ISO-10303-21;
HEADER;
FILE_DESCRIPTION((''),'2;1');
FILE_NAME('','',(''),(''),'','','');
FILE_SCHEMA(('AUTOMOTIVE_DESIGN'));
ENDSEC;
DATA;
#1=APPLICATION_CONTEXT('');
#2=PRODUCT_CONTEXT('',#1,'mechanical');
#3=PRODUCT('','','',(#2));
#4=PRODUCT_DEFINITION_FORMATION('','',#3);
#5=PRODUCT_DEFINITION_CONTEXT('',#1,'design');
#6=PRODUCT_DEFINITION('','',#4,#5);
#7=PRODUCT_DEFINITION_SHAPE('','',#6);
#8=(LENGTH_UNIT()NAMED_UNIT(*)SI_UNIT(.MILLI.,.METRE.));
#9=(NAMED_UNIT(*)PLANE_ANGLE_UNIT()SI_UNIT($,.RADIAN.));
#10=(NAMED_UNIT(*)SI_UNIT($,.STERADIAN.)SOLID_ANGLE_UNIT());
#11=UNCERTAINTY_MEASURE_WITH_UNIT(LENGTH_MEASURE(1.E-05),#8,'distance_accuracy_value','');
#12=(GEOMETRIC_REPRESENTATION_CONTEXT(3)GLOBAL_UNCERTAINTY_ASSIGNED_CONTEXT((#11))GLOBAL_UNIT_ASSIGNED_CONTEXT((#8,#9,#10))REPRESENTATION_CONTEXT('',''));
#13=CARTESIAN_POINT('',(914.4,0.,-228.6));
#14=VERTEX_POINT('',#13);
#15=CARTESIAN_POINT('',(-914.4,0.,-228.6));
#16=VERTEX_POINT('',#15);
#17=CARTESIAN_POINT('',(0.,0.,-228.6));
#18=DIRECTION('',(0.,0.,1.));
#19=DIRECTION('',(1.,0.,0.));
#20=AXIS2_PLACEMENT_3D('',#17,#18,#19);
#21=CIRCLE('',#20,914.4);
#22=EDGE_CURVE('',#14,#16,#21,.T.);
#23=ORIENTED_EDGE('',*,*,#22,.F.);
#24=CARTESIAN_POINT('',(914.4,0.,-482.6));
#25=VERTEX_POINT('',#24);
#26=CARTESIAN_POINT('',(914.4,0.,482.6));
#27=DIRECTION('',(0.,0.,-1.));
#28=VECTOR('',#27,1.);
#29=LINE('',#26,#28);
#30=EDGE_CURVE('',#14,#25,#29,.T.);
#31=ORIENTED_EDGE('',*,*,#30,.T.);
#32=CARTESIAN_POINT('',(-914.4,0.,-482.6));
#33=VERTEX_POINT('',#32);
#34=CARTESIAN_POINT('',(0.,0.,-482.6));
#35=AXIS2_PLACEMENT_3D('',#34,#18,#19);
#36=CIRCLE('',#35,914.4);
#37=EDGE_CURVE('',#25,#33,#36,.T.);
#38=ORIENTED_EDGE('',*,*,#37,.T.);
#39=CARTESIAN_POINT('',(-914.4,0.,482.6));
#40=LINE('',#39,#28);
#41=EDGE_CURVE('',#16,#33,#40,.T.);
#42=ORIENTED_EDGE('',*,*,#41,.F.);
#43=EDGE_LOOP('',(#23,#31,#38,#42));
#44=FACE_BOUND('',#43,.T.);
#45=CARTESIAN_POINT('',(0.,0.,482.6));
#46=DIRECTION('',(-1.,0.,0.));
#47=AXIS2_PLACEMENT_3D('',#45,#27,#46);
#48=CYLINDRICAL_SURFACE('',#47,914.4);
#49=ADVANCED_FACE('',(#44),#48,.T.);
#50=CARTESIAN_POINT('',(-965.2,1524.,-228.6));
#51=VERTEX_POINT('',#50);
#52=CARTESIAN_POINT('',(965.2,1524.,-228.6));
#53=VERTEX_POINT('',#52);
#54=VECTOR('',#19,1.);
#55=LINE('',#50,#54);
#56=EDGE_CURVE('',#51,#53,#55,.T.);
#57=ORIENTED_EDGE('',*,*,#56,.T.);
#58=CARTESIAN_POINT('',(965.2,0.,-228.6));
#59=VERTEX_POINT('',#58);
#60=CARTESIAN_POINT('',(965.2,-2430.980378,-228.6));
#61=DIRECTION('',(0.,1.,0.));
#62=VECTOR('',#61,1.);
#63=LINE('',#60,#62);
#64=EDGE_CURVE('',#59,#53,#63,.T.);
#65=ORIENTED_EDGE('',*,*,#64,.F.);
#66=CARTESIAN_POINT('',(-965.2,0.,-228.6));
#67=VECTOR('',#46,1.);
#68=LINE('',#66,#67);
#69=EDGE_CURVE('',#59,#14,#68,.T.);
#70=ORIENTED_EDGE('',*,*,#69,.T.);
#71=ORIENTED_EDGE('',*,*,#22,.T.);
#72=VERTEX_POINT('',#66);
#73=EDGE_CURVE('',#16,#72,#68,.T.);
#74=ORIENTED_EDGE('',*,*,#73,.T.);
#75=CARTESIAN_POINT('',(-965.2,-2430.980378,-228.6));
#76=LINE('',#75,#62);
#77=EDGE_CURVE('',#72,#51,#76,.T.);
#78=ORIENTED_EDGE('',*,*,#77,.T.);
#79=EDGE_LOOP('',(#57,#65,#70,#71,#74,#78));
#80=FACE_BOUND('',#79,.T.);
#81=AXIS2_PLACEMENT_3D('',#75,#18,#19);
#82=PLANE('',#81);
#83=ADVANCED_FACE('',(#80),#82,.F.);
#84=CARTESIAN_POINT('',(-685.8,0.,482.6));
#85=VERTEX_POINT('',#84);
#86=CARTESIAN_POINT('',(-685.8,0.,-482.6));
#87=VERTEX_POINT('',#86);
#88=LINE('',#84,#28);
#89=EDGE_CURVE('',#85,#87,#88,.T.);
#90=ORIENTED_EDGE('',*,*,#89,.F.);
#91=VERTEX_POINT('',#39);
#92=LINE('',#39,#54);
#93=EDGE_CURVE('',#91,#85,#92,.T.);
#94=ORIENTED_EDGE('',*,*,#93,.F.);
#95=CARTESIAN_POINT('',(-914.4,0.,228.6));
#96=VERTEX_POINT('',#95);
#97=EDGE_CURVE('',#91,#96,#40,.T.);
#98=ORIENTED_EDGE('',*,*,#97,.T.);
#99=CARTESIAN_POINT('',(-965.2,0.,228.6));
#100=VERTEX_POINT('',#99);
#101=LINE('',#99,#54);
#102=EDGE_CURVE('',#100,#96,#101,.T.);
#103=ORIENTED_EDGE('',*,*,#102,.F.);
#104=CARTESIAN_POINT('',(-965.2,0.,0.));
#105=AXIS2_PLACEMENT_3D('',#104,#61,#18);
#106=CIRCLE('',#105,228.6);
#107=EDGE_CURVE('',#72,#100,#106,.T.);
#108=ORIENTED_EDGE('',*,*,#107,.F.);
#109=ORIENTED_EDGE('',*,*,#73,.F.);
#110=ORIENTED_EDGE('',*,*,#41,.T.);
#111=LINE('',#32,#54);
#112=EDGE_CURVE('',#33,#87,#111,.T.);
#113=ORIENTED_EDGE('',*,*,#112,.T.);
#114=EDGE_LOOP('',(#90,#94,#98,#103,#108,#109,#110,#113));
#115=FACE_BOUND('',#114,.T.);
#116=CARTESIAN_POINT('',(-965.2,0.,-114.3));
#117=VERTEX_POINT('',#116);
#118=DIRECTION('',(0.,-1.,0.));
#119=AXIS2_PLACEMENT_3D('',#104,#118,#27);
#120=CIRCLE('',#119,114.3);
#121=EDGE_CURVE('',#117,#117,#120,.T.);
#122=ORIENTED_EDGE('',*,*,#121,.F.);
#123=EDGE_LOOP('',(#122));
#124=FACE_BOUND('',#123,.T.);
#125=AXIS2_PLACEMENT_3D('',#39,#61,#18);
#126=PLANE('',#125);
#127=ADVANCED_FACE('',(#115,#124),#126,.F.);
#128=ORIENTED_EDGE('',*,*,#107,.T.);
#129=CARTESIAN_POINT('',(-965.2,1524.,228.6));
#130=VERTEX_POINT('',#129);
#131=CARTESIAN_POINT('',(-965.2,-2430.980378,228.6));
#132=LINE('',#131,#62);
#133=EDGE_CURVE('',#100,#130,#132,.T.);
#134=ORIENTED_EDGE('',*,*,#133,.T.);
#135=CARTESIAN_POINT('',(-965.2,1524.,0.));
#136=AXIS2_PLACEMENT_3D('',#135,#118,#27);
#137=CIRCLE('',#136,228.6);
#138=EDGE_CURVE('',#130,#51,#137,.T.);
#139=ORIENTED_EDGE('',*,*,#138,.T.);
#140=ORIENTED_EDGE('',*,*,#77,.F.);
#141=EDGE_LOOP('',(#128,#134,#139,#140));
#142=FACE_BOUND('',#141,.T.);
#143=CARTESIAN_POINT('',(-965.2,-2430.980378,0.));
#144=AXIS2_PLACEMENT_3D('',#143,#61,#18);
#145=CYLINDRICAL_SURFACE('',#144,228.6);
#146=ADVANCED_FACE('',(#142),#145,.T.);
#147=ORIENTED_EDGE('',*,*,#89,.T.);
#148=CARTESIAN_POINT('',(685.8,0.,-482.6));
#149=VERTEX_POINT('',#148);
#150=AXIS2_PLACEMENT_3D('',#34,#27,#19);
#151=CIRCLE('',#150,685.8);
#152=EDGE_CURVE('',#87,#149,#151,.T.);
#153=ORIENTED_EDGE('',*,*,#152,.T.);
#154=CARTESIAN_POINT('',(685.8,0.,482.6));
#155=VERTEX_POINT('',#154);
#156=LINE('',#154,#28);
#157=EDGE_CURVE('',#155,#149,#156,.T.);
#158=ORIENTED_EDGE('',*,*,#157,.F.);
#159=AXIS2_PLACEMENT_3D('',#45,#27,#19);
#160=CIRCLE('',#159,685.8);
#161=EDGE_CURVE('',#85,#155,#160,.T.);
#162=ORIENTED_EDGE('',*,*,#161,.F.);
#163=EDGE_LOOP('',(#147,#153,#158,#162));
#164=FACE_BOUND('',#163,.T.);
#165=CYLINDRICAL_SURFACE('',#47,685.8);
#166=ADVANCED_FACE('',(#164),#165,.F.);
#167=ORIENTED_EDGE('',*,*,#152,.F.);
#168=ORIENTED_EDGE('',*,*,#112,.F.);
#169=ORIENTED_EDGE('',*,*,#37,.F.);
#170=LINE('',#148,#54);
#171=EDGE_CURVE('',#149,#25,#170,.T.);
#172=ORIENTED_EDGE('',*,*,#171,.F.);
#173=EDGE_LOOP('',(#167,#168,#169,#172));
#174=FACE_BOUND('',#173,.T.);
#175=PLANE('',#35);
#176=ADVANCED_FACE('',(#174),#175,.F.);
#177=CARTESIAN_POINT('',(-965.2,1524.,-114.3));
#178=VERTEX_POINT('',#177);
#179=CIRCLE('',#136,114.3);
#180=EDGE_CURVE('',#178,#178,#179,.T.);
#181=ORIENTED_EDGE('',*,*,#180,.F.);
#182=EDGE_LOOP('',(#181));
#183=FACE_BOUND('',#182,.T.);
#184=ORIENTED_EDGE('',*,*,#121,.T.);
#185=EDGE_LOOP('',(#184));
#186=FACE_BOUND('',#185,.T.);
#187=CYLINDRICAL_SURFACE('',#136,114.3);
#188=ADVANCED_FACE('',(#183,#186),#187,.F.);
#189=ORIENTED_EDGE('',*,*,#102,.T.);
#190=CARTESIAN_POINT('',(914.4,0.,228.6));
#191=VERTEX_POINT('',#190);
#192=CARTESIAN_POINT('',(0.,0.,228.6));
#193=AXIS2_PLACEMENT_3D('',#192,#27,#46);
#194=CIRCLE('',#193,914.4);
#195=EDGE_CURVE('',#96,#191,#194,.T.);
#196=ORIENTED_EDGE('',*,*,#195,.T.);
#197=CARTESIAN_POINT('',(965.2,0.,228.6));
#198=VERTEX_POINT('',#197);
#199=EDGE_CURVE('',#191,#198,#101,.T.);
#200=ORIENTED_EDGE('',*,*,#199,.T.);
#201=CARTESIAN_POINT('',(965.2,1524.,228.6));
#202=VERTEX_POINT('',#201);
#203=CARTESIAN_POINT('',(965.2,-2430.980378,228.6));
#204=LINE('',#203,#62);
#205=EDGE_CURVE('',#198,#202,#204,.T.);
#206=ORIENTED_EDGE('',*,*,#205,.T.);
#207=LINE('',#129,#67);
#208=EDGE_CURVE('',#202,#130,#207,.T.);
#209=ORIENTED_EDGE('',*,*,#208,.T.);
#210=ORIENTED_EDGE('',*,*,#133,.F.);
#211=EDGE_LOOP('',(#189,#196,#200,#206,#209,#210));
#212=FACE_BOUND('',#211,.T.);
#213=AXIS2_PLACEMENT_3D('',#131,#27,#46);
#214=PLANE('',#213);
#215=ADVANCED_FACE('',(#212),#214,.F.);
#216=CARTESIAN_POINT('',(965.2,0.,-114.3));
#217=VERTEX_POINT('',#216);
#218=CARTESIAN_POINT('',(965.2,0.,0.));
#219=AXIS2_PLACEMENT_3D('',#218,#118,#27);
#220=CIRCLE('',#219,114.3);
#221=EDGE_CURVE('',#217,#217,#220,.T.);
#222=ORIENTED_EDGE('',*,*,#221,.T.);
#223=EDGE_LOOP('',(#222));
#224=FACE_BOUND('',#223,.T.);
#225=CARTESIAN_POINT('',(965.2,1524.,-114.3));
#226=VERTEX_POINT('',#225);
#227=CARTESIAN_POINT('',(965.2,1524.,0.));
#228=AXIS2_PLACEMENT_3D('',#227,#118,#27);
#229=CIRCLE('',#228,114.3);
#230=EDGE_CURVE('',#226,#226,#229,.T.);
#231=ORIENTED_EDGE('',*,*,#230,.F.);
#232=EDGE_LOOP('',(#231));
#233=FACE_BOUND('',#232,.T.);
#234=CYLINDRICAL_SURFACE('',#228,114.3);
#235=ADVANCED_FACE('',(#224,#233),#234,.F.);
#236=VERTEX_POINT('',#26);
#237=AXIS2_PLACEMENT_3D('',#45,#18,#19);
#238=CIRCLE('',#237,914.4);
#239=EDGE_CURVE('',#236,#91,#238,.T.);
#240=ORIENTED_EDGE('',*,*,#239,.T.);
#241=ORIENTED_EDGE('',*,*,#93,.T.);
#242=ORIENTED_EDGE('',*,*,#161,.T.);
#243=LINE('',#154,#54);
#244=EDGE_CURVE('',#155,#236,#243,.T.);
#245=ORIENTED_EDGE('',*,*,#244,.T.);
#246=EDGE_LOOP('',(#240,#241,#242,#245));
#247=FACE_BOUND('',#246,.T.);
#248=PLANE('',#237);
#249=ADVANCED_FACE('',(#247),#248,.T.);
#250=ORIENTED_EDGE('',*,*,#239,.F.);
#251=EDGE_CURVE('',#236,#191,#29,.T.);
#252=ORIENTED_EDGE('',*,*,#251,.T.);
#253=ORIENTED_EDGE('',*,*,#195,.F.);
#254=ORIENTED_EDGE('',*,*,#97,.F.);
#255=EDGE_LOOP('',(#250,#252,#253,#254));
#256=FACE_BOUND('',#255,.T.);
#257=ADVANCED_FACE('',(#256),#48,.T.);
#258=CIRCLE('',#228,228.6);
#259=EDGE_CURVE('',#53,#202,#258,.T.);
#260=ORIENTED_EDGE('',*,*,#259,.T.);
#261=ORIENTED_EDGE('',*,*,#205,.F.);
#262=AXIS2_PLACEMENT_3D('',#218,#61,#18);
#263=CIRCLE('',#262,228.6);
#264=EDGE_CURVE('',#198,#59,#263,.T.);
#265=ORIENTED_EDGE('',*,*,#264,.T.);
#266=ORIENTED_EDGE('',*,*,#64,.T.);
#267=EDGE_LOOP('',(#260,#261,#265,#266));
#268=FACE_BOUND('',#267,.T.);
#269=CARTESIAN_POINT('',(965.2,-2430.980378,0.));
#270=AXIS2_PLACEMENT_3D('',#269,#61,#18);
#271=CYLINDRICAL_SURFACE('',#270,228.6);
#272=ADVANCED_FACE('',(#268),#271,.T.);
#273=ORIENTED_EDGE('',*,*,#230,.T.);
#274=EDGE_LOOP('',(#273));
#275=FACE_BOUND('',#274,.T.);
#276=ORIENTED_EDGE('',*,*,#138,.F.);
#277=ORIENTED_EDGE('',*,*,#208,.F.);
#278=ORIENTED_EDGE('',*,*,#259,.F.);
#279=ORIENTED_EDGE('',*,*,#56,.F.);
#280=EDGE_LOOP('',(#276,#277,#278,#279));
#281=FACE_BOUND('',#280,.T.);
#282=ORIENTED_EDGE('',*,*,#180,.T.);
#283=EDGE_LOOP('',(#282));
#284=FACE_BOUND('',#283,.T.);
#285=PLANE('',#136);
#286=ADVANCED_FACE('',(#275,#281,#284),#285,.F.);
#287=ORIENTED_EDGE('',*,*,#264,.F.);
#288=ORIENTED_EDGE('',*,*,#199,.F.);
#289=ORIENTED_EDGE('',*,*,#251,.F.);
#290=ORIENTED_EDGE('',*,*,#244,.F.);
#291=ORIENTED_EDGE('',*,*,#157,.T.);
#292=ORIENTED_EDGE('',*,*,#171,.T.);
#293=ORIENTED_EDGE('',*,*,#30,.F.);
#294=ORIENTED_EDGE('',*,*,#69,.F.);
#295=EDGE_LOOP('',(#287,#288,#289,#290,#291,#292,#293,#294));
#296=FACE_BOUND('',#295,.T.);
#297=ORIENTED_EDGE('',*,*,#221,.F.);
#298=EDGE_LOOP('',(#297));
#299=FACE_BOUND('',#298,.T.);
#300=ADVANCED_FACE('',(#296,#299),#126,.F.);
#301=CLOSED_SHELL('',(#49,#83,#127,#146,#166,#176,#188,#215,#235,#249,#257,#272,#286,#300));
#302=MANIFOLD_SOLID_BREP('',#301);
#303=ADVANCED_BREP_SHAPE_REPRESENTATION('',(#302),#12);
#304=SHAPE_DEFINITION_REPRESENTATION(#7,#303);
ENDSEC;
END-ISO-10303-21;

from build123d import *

# Parameters (mm, degrees)
BOSS_EXTRUDE1_DEPTH = 482.6
BOSS_EXTRUDE2_REACH = 1843.631
CUT_EXTRUDE2_DEPTH  = 2063.411181118
SKETCH9_R           = 114.3
CUT_EXTRUDE3_DEPTH  = 1996.153427684


with BuildPart() as part:
    # Sketch1 → Boss-Extrude1 (new, symmetric)
    with BuildSketch(Plane.XY):
        with BuildLine():
            Line((-914.4, 0), (-685.8, 0))
            ThreePointArc((-685.8, 0), (0, 685.8), (685.8, 0))
            Line((685.8, 0), (914.4, 0))
            ThreePointArc((914.4, 0), (0, 914.4), (-914.4, 0))
        make_face()
    extrude(amount=BOSS_EXTRUDE1_DEPTH, both=True)

    # Boss-Extrude2: up to this face of the body (flat: up to its plane)
    boss_extrude2_end = Plane(part.part.faces().sort_by_distance((-800.1, 0, 0))[0])
    # Sketch7 → Boss-Extrude2 (add, up to the picked face)
    with BuildSketch(Plane(origin=(0, 1524, 0), x_dir=(-1, 0, 0), z_dir=(0, -1, 0)), mode=Mode.PRIVATE) as boss_extrude2_sk1:
        with BuildLine():
            Line((965.2, -228.6), (-965.2, -228.6))
            ThreePointArc((-965.2, -228.6), (-1193.8, 0), (-965.2, 228.6))
            Line((-965.2, 228.6), (965.2, 228.6))
            ThreePointArc((965.2, 228.6), (1193.8, 0), (965.2, -228.6))
        make_face()
    boss_extrude2_tool1 = split(extrude(boss_extrude2_sk1.sketch, amount=BOSS_EXTRUDE2_REACH, mode=Mode.PRIVATE), bisect_by=boss_extrude2_end, keep=Keep.BOTH, mode=Mode.PRIVATE)
    add(boss_extrude2_tool1.solids().sort_by(Axis((0, 1524, 0), (0, -1, 0)))[0])

    # Sketch8 → Cut-Extrude2 (cut, through all)
    with BuildSketch(Plane.XY.offset(228.6)):
        with BuildLine():
            Line((-685.8, 0), (685.8, 0))
            ThreePointArc((685.8, 0), (0, 685.8), (-685.8, 0))
        make_face()
    extrude(amount=-CUT_EXTRUDE2_DEPTH, mode=Mode.SUBTRACT)

    # Sketch9 → Cut-Extrude3 (cut, through all)
    with BuildSketch(Plane.XZ):
        with Locations(Location((-965.2, 0, 0), (0, 0, 270))):
            Circle(SKETCH9_R)
        with Locations(Location((965.2, 0, 0), (0, 0, 270))):
            Circle(SKETCH9_R)
    extrude(amount=-CUT_EXTRUDE3_DEPTH, mode=Mode.SUBTRACT)


solid = part.part
